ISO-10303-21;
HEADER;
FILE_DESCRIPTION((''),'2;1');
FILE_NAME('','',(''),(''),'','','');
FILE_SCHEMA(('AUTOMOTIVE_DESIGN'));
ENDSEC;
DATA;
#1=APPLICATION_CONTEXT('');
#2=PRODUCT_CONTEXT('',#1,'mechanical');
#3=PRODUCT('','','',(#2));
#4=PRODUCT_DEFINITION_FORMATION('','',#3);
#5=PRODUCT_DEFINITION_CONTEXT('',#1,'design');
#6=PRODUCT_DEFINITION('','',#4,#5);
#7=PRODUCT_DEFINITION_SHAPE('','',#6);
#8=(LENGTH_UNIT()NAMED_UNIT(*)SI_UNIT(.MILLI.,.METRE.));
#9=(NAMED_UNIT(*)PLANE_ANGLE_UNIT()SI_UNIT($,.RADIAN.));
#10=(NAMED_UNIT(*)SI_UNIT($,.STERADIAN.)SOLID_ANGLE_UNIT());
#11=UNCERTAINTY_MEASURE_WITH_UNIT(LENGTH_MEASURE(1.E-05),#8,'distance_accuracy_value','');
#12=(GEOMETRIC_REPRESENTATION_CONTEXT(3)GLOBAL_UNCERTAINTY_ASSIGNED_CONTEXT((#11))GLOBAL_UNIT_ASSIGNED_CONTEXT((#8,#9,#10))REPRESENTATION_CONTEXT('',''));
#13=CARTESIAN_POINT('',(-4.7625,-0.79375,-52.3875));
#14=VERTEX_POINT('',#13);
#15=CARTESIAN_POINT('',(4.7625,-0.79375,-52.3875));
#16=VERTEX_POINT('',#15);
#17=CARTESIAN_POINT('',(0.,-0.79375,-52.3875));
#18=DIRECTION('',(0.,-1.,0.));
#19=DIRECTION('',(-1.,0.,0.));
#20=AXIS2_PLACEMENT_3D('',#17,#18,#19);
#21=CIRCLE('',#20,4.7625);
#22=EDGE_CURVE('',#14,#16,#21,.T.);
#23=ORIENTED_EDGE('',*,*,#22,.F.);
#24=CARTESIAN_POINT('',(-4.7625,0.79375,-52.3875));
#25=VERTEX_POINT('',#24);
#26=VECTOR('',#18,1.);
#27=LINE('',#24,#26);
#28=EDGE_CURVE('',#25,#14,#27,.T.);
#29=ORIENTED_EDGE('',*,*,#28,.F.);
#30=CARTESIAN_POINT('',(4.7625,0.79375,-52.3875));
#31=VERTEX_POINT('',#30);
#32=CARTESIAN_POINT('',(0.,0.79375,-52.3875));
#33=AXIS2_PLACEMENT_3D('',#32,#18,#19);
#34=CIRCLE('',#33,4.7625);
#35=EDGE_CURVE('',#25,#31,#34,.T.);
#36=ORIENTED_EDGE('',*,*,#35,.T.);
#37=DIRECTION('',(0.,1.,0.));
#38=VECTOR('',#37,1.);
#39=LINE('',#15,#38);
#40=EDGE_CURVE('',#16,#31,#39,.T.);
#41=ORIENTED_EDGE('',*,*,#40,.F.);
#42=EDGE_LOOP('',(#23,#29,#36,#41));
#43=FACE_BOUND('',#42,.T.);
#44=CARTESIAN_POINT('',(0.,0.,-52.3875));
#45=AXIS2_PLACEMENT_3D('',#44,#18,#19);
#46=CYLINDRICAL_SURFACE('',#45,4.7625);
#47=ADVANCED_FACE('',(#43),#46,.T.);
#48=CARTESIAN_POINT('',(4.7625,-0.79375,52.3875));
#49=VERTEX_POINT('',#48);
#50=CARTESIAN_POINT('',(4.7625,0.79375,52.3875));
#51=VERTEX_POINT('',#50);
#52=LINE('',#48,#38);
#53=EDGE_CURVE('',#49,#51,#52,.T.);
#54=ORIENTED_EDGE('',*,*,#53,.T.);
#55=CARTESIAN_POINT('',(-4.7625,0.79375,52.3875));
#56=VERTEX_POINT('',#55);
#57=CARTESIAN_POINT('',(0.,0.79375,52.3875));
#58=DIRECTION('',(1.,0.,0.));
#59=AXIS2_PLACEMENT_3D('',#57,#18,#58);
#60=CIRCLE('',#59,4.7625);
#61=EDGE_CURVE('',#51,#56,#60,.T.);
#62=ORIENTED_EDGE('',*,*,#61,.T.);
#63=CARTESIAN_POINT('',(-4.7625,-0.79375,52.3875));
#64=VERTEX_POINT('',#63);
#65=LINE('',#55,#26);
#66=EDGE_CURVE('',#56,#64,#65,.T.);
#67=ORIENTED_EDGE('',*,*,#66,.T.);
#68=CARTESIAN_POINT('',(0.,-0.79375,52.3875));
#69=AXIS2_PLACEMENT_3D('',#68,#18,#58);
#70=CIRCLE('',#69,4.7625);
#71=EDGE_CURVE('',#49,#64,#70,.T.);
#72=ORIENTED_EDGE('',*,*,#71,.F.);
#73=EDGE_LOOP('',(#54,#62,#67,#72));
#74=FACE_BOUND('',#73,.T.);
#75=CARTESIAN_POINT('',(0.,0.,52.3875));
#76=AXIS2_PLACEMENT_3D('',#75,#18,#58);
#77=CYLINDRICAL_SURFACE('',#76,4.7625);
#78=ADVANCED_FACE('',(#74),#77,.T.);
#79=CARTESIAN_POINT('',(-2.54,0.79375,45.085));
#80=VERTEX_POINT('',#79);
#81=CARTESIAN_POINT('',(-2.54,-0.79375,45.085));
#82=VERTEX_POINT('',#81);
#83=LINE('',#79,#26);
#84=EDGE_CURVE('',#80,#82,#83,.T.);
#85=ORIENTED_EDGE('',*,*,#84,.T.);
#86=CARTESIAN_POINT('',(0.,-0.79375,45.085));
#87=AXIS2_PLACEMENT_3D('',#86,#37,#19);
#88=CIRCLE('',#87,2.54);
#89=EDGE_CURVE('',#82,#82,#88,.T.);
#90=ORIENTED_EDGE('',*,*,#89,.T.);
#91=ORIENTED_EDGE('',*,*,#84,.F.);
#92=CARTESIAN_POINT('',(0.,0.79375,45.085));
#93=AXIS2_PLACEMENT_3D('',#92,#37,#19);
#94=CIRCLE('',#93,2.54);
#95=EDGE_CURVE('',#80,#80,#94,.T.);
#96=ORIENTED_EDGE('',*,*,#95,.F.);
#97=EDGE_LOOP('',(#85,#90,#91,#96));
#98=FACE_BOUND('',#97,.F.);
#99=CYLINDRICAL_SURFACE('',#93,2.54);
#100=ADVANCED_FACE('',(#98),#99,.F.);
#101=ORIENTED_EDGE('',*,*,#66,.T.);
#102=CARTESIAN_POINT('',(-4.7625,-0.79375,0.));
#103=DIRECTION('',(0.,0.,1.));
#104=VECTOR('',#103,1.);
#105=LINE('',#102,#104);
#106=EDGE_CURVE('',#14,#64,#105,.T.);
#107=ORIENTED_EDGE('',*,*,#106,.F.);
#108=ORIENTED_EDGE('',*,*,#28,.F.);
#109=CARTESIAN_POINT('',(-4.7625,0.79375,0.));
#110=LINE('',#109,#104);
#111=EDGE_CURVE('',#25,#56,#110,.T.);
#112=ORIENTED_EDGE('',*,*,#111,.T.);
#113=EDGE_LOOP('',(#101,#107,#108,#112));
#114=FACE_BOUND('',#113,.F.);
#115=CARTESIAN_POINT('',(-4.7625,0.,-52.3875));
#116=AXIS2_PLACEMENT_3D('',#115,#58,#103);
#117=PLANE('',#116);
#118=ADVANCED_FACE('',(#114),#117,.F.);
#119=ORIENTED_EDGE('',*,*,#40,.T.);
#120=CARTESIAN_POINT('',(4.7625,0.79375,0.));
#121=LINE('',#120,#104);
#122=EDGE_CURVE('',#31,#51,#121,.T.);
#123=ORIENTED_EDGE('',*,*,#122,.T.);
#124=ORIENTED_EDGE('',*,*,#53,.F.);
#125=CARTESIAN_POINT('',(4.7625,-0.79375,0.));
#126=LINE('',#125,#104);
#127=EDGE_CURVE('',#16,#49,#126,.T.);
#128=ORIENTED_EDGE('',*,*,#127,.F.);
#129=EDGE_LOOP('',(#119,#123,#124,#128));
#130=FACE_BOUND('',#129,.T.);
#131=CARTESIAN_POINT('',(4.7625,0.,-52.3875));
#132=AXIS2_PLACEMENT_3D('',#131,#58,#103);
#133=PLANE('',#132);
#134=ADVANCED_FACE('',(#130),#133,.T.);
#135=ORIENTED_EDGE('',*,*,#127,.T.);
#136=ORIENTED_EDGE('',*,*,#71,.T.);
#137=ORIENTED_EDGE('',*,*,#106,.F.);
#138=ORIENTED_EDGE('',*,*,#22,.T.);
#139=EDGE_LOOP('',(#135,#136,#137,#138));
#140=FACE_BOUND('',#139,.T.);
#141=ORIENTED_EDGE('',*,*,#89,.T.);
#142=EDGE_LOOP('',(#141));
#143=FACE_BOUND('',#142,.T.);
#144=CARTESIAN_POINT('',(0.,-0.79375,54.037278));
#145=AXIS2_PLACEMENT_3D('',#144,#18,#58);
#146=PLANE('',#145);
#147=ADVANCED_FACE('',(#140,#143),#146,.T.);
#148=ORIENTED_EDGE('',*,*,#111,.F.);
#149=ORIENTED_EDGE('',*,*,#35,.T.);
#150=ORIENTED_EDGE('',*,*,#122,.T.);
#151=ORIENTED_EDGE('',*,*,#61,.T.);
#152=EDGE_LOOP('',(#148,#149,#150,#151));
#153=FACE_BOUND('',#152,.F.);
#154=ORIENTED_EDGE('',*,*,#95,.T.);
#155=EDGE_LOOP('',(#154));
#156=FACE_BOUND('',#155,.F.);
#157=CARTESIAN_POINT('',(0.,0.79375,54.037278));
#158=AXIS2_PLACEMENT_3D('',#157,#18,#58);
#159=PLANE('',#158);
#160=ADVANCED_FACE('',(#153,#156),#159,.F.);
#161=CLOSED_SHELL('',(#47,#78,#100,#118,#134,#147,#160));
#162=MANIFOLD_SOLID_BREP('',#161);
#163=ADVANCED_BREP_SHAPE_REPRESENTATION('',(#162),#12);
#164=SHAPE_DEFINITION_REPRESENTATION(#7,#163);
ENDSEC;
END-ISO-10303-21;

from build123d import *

# Parameters (mm, degrees)
F0_W     = 9.525
F0_H     = 104.775
F1_DEPTH = 0.79375
F2_R     = 2.54
F3_DEPTH = 1.5875


with BuildPart() as f1:
    # F0 (on Front) → F1 (new body, symmetric)
    with BuildSketch(Plane.XZ):
        with BuildLine():
            ThreePointArc((4.7625, 52.3875), (0, 57.15), (-4.7625, 52.3875))
            Line((-4.7625, 52.3875), (4.7625, 52.3875))
        make_face()
        Rectangle(F0_W, F0_H)
        with BuildLine():
            Line((4.7625, -52.3875), (-4.7625, -52.3875))
            ThreePointArc((-4.7625, -52.3875), (0, -57.15), (4.7625, -52.3875))
        make_face()
    extrude(amount=F1_DEPTH, both=True)

    # F2 (on face) → F3 (cut, through all)
    with BuildSketch(Plane(origin=(0, 0.79375, 0), x_dir=(-1, 0, 0), z_dir=(0, 1, 0))):
        with Locations((0, 45.085)):
            Circle(F2_R)
    extrude(amount=-F3_DEPTH, mode=Mode.SUBTRACT)


solid = f1.part
